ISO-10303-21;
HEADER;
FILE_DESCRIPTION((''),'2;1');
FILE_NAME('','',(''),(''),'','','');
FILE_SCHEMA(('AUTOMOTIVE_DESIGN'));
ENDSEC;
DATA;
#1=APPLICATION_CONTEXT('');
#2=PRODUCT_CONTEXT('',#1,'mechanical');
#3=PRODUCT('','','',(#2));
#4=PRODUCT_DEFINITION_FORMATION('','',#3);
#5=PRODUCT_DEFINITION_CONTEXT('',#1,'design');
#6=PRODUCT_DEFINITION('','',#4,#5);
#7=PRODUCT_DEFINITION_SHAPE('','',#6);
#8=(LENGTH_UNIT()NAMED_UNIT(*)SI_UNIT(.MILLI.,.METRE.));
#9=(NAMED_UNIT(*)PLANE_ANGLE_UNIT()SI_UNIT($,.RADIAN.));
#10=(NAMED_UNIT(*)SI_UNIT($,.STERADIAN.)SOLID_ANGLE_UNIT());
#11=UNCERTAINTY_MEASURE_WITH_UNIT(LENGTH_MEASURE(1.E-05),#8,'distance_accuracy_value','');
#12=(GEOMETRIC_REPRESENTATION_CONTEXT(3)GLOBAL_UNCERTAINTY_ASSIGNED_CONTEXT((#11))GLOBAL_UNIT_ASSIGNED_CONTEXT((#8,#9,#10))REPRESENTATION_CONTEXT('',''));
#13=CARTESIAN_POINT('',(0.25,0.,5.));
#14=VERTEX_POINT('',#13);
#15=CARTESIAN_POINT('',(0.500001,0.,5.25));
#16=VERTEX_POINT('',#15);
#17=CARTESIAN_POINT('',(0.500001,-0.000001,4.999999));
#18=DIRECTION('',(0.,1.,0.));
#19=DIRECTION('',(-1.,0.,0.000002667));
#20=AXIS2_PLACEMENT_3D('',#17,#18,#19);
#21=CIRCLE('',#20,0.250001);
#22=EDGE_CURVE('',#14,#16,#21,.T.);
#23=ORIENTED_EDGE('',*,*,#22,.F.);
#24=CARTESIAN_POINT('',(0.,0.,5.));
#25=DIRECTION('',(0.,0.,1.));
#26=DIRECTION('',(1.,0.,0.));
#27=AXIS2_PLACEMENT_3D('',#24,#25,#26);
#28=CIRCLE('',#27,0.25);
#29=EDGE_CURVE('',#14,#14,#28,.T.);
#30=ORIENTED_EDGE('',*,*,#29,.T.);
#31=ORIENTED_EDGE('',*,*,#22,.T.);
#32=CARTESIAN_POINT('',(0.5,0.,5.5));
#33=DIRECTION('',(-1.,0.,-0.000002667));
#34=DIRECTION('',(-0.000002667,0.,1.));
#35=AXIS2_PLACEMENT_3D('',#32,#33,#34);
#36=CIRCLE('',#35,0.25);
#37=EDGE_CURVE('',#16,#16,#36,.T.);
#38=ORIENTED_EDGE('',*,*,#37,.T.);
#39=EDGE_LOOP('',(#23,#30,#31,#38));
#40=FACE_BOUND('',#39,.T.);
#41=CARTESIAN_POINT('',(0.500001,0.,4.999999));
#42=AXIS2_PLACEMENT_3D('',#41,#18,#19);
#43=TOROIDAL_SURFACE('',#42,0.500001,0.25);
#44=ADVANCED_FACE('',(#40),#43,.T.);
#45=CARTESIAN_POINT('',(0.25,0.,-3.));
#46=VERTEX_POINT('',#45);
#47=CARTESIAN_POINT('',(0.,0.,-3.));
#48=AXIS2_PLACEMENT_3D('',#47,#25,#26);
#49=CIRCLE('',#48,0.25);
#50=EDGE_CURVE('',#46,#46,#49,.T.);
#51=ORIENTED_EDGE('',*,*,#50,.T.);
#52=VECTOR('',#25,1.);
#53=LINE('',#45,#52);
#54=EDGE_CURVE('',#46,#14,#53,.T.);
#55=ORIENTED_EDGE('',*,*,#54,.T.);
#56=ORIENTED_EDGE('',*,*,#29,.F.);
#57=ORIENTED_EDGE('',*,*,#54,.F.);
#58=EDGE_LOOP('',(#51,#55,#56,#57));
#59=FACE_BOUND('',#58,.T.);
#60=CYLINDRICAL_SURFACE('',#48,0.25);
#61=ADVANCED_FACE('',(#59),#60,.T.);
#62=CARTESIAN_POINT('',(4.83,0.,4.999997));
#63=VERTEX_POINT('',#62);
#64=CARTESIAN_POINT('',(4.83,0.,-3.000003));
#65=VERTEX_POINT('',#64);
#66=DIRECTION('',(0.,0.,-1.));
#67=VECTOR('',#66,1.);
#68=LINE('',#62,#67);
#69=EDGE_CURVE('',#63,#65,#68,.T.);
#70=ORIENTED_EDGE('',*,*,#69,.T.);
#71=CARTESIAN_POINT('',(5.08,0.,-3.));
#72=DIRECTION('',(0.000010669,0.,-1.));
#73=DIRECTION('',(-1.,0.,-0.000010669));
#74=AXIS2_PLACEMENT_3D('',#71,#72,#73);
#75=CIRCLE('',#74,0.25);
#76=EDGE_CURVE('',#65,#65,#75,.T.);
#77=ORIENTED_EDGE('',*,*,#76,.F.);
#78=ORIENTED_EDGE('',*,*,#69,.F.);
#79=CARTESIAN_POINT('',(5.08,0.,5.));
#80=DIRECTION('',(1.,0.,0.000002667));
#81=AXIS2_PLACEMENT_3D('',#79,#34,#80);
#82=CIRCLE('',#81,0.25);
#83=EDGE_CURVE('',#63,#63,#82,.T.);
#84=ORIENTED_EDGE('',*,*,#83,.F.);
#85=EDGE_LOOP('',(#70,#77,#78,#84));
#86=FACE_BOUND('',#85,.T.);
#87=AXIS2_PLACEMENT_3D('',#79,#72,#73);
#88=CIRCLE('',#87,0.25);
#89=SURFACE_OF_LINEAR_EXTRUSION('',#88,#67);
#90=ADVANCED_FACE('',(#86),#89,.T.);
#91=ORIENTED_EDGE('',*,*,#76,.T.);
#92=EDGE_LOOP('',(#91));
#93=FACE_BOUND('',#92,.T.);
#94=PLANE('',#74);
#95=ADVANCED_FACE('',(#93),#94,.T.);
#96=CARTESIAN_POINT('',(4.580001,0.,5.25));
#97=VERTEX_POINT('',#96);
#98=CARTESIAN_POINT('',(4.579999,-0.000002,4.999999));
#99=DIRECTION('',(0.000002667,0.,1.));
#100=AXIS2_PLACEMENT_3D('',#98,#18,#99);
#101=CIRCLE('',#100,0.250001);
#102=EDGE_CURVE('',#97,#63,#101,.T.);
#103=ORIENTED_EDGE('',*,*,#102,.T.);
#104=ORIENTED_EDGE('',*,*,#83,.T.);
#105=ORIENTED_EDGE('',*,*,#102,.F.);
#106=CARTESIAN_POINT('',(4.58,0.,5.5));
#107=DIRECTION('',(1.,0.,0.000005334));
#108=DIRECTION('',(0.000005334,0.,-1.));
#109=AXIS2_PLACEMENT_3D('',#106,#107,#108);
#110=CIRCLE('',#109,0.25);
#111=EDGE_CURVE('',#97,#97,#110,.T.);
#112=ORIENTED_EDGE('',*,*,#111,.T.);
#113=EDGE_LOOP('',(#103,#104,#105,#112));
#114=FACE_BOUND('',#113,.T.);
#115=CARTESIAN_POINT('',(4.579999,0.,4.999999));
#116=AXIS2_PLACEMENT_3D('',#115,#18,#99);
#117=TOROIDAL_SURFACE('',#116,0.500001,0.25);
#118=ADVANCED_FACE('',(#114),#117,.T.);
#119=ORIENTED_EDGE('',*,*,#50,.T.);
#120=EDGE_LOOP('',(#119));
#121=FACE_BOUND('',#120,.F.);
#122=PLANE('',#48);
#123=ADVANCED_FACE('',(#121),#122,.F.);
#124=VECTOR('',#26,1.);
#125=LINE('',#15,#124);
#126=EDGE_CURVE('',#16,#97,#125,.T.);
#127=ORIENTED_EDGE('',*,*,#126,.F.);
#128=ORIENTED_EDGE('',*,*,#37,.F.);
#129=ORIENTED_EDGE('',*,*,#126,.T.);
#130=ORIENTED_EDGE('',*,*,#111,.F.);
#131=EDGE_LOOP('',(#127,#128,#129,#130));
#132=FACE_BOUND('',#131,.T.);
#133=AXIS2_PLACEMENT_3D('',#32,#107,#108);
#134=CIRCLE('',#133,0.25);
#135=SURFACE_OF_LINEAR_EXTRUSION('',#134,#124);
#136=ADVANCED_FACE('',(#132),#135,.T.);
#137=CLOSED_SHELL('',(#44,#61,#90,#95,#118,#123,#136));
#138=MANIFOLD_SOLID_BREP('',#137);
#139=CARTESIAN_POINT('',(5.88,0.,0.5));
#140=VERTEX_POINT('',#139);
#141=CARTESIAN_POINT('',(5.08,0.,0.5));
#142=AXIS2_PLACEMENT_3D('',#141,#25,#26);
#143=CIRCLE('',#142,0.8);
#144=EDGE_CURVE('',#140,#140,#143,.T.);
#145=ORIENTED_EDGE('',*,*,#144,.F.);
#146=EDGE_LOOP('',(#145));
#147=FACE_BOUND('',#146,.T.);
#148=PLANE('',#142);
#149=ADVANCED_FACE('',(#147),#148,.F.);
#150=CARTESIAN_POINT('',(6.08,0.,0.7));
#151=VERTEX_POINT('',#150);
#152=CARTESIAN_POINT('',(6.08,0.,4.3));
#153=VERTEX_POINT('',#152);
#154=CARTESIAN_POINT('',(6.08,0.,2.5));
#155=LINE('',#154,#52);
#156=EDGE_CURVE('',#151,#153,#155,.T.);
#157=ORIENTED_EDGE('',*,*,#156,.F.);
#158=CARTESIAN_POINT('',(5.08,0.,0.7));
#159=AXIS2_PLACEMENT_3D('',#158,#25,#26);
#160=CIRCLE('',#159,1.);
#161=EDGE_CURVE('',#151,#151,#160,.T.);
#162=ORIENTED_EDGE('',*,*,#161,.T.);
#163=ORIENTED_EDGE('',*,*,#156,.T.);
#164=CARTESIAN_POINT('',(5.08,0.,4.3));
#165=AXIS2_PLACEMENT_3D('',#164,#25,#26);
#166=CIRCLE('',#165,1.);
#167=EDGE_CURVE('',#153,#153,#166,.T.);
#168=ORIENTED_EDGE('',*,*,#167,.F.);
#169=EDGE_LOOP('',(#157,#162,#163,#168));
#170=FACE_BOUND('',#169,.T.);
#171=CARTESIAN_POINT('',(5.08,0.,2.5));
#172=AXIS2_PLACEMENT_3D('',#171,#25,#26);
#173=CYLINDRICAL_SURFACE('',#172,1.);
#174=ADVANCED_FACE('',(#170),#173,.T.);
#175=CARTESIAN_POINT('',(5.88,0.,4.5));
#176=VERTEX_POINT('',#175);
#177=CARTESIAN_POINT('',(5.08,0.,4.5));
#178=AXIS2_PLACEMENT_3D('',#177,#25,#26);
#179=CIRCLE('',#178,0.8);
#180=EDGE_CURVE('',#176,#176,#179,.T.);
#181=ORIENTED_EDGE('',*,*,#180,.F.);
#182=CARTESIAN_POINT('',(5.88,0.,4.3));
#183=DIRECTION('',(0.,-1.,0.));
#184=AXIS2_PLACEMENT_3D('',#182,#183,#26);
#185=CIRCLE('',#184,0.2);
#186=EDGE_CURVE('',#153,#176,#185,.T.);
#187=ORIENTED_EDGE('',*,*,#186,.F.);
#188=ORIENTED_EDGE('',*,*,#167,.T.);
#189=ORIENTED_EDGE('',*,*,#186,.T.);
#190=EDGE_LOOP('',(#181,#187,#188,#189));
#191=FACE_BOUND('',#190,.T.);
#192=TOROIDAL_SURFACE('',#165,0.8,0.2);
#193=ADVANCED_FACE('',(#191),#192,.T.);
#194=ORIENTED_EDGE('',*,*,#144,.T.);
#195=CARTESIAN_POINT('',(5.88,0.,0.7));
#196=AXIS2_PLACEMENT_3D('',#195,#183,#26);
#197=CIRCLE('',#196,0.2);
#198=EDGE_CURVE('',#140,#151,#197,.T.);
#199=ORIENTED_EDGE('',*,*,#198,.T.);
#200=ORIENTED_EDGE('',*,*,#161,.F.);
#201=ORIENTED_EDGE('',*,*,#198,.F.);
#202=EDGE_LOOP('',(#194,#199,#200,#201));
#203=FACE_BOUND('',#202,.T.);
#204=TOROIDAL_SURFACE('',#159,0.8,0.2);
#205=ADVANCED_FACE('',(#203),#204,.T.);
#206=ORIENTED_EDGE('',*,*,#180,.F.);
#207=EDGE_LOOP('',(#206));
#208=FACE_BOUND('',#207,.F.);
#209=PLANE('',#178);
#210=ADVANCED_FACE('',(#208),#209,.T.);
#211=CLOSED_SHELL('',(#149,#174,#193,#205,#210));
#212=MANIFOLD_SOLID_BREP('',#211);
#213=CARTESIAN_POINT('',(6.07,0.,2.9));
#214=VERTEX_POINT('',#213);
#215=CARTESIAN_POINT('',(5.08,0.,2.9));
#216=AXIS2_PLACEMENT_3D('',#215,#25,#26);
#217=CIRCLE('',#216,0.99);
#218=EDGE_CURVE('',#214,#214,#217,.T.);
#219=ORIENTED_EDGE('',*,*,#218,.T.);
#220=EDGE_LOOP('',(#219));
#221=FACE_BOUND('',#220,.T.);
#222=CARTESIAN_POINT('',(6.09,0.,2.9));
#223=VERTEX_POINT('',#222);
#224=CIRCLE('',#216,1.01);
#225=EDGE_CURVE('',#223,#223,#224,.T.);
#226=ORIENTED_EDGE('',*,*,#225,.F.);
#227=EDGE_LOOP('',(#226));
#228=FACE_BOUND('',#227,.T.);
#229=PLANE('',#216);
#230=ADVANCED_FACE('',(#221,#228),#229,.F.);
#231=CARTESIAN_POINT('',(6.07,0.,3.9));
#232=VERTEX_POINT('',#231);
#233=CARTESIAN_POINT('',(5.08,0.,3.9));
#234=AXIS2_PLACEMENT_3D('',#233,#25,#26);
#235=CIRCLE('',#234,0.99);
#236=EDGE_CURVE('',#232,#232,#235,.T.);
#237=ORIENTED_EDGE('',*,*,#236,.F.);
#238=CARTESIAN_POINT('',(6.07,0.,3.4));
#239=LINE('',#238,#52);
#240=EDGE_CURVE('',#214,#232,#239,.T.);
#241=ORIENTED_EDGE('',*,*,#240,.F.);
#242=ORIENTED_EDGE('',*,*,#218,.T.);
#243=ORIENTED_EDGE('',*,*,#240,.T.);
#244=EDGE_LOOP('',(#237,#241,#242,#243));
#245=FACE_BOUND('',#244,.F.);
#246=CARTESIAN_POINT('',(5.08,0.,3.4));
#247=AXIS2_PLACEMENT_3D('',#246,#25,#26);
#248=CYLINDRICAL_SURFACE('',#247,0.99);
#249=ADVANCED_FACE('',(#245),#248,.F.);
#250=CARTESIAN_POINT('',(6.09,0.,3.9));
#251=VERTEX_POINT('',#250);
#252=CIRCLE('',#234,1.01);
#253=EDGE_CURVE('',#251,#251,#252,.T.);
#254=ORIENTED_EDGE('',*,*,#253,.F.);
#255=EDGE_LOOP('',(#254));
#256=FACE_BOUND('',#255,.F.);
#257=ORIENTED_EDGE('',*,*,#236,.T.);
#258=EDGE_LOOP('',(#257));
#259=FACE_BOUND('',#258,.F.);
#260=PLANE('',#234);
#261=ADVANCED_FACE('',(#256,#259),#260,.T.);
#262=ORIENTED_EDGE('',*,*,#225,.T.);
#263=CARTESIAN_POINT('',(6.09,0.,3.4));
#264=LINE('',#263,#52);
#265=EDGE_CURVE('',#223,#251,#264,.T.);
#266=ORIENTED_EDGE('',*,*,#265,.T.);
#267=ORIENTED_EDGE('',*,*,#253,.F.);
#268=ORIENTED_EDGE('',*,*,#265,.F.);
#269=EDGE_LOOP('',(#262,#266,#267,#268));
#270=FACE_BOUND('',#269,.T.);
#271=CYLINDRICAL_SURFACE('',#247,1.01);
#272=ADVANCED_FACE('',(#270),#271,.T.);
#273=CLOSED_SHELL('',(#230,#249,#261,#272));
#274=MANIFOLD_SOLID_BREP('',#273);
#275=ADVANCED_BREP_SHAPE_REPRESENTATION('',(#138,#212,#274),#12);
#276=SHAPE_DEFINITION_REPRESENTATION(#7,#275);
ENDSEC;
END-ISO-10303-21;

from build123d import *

# Parameters (mm, degrees)
SKETCH001_R = 0.25
SKETCH003_W = 0.02
SKETCH003_H = 1
SKETCH002_W = 1
SKETCH002_H = 4
FILLET_R    = 0.2


with BuildPart() as sweep_body:
    # Sweep: sweep along a path in Sketch
    with BuildLine(Plane.XZ) as sweep_path:
        Line((0, -3), (0, 5))
        ThreePointArc((0, 5), (0.146447, 5.353553), (0.5, 5.5))
        Line((0.5, 5.5), (4.58, 5.5))
        ThreePointArc((4.58, 5.5), (4.933553, 5.353553), (5.08, 5))
        Line((5.08, 5), (5.08, -3))
    # Sketch001 → Sweep (sweep)
    with BuildSketch(Plane.XY):
        Circle(SKETCH001_R)
    sweep(path=sweep_path.line)


with BuildPart() as revolution001:
    # Sketch003 → Revolution001 (revolve)
    with BuildSketch(Plane.XZ):
        with Locations((6.08, 3.4)):
            Rectangle(SKETCH003_W, SKETCH003_H)
    revolve(axis=Axis((5.08, 0, 5.9), (0, 0, 1)))


with BuildPart() as fillet_body:
    # Sketch002 → Revolution (revolve)
    with BuildSketch(Plane.XZ):
        with Locations((5.58, 2.5)):
            Rectangle(SKETCH002_W, SKETCH002_H)
    revolve(axis=Axis((5.08, 0, 0.5), (0, 0, 1)))

    # Fillet
    fillet_edges = [fillet_body.edges().sort_by_distance(p)[0] for p in [
        (4.08, 0, 4.5),
        (4.08, 0, 0.5),
    ]]
    fillet(fillet_edges, radius=FILLET_R)


solid = Compound([sweep_body.part, revolution001.part, fillet_body.part])
